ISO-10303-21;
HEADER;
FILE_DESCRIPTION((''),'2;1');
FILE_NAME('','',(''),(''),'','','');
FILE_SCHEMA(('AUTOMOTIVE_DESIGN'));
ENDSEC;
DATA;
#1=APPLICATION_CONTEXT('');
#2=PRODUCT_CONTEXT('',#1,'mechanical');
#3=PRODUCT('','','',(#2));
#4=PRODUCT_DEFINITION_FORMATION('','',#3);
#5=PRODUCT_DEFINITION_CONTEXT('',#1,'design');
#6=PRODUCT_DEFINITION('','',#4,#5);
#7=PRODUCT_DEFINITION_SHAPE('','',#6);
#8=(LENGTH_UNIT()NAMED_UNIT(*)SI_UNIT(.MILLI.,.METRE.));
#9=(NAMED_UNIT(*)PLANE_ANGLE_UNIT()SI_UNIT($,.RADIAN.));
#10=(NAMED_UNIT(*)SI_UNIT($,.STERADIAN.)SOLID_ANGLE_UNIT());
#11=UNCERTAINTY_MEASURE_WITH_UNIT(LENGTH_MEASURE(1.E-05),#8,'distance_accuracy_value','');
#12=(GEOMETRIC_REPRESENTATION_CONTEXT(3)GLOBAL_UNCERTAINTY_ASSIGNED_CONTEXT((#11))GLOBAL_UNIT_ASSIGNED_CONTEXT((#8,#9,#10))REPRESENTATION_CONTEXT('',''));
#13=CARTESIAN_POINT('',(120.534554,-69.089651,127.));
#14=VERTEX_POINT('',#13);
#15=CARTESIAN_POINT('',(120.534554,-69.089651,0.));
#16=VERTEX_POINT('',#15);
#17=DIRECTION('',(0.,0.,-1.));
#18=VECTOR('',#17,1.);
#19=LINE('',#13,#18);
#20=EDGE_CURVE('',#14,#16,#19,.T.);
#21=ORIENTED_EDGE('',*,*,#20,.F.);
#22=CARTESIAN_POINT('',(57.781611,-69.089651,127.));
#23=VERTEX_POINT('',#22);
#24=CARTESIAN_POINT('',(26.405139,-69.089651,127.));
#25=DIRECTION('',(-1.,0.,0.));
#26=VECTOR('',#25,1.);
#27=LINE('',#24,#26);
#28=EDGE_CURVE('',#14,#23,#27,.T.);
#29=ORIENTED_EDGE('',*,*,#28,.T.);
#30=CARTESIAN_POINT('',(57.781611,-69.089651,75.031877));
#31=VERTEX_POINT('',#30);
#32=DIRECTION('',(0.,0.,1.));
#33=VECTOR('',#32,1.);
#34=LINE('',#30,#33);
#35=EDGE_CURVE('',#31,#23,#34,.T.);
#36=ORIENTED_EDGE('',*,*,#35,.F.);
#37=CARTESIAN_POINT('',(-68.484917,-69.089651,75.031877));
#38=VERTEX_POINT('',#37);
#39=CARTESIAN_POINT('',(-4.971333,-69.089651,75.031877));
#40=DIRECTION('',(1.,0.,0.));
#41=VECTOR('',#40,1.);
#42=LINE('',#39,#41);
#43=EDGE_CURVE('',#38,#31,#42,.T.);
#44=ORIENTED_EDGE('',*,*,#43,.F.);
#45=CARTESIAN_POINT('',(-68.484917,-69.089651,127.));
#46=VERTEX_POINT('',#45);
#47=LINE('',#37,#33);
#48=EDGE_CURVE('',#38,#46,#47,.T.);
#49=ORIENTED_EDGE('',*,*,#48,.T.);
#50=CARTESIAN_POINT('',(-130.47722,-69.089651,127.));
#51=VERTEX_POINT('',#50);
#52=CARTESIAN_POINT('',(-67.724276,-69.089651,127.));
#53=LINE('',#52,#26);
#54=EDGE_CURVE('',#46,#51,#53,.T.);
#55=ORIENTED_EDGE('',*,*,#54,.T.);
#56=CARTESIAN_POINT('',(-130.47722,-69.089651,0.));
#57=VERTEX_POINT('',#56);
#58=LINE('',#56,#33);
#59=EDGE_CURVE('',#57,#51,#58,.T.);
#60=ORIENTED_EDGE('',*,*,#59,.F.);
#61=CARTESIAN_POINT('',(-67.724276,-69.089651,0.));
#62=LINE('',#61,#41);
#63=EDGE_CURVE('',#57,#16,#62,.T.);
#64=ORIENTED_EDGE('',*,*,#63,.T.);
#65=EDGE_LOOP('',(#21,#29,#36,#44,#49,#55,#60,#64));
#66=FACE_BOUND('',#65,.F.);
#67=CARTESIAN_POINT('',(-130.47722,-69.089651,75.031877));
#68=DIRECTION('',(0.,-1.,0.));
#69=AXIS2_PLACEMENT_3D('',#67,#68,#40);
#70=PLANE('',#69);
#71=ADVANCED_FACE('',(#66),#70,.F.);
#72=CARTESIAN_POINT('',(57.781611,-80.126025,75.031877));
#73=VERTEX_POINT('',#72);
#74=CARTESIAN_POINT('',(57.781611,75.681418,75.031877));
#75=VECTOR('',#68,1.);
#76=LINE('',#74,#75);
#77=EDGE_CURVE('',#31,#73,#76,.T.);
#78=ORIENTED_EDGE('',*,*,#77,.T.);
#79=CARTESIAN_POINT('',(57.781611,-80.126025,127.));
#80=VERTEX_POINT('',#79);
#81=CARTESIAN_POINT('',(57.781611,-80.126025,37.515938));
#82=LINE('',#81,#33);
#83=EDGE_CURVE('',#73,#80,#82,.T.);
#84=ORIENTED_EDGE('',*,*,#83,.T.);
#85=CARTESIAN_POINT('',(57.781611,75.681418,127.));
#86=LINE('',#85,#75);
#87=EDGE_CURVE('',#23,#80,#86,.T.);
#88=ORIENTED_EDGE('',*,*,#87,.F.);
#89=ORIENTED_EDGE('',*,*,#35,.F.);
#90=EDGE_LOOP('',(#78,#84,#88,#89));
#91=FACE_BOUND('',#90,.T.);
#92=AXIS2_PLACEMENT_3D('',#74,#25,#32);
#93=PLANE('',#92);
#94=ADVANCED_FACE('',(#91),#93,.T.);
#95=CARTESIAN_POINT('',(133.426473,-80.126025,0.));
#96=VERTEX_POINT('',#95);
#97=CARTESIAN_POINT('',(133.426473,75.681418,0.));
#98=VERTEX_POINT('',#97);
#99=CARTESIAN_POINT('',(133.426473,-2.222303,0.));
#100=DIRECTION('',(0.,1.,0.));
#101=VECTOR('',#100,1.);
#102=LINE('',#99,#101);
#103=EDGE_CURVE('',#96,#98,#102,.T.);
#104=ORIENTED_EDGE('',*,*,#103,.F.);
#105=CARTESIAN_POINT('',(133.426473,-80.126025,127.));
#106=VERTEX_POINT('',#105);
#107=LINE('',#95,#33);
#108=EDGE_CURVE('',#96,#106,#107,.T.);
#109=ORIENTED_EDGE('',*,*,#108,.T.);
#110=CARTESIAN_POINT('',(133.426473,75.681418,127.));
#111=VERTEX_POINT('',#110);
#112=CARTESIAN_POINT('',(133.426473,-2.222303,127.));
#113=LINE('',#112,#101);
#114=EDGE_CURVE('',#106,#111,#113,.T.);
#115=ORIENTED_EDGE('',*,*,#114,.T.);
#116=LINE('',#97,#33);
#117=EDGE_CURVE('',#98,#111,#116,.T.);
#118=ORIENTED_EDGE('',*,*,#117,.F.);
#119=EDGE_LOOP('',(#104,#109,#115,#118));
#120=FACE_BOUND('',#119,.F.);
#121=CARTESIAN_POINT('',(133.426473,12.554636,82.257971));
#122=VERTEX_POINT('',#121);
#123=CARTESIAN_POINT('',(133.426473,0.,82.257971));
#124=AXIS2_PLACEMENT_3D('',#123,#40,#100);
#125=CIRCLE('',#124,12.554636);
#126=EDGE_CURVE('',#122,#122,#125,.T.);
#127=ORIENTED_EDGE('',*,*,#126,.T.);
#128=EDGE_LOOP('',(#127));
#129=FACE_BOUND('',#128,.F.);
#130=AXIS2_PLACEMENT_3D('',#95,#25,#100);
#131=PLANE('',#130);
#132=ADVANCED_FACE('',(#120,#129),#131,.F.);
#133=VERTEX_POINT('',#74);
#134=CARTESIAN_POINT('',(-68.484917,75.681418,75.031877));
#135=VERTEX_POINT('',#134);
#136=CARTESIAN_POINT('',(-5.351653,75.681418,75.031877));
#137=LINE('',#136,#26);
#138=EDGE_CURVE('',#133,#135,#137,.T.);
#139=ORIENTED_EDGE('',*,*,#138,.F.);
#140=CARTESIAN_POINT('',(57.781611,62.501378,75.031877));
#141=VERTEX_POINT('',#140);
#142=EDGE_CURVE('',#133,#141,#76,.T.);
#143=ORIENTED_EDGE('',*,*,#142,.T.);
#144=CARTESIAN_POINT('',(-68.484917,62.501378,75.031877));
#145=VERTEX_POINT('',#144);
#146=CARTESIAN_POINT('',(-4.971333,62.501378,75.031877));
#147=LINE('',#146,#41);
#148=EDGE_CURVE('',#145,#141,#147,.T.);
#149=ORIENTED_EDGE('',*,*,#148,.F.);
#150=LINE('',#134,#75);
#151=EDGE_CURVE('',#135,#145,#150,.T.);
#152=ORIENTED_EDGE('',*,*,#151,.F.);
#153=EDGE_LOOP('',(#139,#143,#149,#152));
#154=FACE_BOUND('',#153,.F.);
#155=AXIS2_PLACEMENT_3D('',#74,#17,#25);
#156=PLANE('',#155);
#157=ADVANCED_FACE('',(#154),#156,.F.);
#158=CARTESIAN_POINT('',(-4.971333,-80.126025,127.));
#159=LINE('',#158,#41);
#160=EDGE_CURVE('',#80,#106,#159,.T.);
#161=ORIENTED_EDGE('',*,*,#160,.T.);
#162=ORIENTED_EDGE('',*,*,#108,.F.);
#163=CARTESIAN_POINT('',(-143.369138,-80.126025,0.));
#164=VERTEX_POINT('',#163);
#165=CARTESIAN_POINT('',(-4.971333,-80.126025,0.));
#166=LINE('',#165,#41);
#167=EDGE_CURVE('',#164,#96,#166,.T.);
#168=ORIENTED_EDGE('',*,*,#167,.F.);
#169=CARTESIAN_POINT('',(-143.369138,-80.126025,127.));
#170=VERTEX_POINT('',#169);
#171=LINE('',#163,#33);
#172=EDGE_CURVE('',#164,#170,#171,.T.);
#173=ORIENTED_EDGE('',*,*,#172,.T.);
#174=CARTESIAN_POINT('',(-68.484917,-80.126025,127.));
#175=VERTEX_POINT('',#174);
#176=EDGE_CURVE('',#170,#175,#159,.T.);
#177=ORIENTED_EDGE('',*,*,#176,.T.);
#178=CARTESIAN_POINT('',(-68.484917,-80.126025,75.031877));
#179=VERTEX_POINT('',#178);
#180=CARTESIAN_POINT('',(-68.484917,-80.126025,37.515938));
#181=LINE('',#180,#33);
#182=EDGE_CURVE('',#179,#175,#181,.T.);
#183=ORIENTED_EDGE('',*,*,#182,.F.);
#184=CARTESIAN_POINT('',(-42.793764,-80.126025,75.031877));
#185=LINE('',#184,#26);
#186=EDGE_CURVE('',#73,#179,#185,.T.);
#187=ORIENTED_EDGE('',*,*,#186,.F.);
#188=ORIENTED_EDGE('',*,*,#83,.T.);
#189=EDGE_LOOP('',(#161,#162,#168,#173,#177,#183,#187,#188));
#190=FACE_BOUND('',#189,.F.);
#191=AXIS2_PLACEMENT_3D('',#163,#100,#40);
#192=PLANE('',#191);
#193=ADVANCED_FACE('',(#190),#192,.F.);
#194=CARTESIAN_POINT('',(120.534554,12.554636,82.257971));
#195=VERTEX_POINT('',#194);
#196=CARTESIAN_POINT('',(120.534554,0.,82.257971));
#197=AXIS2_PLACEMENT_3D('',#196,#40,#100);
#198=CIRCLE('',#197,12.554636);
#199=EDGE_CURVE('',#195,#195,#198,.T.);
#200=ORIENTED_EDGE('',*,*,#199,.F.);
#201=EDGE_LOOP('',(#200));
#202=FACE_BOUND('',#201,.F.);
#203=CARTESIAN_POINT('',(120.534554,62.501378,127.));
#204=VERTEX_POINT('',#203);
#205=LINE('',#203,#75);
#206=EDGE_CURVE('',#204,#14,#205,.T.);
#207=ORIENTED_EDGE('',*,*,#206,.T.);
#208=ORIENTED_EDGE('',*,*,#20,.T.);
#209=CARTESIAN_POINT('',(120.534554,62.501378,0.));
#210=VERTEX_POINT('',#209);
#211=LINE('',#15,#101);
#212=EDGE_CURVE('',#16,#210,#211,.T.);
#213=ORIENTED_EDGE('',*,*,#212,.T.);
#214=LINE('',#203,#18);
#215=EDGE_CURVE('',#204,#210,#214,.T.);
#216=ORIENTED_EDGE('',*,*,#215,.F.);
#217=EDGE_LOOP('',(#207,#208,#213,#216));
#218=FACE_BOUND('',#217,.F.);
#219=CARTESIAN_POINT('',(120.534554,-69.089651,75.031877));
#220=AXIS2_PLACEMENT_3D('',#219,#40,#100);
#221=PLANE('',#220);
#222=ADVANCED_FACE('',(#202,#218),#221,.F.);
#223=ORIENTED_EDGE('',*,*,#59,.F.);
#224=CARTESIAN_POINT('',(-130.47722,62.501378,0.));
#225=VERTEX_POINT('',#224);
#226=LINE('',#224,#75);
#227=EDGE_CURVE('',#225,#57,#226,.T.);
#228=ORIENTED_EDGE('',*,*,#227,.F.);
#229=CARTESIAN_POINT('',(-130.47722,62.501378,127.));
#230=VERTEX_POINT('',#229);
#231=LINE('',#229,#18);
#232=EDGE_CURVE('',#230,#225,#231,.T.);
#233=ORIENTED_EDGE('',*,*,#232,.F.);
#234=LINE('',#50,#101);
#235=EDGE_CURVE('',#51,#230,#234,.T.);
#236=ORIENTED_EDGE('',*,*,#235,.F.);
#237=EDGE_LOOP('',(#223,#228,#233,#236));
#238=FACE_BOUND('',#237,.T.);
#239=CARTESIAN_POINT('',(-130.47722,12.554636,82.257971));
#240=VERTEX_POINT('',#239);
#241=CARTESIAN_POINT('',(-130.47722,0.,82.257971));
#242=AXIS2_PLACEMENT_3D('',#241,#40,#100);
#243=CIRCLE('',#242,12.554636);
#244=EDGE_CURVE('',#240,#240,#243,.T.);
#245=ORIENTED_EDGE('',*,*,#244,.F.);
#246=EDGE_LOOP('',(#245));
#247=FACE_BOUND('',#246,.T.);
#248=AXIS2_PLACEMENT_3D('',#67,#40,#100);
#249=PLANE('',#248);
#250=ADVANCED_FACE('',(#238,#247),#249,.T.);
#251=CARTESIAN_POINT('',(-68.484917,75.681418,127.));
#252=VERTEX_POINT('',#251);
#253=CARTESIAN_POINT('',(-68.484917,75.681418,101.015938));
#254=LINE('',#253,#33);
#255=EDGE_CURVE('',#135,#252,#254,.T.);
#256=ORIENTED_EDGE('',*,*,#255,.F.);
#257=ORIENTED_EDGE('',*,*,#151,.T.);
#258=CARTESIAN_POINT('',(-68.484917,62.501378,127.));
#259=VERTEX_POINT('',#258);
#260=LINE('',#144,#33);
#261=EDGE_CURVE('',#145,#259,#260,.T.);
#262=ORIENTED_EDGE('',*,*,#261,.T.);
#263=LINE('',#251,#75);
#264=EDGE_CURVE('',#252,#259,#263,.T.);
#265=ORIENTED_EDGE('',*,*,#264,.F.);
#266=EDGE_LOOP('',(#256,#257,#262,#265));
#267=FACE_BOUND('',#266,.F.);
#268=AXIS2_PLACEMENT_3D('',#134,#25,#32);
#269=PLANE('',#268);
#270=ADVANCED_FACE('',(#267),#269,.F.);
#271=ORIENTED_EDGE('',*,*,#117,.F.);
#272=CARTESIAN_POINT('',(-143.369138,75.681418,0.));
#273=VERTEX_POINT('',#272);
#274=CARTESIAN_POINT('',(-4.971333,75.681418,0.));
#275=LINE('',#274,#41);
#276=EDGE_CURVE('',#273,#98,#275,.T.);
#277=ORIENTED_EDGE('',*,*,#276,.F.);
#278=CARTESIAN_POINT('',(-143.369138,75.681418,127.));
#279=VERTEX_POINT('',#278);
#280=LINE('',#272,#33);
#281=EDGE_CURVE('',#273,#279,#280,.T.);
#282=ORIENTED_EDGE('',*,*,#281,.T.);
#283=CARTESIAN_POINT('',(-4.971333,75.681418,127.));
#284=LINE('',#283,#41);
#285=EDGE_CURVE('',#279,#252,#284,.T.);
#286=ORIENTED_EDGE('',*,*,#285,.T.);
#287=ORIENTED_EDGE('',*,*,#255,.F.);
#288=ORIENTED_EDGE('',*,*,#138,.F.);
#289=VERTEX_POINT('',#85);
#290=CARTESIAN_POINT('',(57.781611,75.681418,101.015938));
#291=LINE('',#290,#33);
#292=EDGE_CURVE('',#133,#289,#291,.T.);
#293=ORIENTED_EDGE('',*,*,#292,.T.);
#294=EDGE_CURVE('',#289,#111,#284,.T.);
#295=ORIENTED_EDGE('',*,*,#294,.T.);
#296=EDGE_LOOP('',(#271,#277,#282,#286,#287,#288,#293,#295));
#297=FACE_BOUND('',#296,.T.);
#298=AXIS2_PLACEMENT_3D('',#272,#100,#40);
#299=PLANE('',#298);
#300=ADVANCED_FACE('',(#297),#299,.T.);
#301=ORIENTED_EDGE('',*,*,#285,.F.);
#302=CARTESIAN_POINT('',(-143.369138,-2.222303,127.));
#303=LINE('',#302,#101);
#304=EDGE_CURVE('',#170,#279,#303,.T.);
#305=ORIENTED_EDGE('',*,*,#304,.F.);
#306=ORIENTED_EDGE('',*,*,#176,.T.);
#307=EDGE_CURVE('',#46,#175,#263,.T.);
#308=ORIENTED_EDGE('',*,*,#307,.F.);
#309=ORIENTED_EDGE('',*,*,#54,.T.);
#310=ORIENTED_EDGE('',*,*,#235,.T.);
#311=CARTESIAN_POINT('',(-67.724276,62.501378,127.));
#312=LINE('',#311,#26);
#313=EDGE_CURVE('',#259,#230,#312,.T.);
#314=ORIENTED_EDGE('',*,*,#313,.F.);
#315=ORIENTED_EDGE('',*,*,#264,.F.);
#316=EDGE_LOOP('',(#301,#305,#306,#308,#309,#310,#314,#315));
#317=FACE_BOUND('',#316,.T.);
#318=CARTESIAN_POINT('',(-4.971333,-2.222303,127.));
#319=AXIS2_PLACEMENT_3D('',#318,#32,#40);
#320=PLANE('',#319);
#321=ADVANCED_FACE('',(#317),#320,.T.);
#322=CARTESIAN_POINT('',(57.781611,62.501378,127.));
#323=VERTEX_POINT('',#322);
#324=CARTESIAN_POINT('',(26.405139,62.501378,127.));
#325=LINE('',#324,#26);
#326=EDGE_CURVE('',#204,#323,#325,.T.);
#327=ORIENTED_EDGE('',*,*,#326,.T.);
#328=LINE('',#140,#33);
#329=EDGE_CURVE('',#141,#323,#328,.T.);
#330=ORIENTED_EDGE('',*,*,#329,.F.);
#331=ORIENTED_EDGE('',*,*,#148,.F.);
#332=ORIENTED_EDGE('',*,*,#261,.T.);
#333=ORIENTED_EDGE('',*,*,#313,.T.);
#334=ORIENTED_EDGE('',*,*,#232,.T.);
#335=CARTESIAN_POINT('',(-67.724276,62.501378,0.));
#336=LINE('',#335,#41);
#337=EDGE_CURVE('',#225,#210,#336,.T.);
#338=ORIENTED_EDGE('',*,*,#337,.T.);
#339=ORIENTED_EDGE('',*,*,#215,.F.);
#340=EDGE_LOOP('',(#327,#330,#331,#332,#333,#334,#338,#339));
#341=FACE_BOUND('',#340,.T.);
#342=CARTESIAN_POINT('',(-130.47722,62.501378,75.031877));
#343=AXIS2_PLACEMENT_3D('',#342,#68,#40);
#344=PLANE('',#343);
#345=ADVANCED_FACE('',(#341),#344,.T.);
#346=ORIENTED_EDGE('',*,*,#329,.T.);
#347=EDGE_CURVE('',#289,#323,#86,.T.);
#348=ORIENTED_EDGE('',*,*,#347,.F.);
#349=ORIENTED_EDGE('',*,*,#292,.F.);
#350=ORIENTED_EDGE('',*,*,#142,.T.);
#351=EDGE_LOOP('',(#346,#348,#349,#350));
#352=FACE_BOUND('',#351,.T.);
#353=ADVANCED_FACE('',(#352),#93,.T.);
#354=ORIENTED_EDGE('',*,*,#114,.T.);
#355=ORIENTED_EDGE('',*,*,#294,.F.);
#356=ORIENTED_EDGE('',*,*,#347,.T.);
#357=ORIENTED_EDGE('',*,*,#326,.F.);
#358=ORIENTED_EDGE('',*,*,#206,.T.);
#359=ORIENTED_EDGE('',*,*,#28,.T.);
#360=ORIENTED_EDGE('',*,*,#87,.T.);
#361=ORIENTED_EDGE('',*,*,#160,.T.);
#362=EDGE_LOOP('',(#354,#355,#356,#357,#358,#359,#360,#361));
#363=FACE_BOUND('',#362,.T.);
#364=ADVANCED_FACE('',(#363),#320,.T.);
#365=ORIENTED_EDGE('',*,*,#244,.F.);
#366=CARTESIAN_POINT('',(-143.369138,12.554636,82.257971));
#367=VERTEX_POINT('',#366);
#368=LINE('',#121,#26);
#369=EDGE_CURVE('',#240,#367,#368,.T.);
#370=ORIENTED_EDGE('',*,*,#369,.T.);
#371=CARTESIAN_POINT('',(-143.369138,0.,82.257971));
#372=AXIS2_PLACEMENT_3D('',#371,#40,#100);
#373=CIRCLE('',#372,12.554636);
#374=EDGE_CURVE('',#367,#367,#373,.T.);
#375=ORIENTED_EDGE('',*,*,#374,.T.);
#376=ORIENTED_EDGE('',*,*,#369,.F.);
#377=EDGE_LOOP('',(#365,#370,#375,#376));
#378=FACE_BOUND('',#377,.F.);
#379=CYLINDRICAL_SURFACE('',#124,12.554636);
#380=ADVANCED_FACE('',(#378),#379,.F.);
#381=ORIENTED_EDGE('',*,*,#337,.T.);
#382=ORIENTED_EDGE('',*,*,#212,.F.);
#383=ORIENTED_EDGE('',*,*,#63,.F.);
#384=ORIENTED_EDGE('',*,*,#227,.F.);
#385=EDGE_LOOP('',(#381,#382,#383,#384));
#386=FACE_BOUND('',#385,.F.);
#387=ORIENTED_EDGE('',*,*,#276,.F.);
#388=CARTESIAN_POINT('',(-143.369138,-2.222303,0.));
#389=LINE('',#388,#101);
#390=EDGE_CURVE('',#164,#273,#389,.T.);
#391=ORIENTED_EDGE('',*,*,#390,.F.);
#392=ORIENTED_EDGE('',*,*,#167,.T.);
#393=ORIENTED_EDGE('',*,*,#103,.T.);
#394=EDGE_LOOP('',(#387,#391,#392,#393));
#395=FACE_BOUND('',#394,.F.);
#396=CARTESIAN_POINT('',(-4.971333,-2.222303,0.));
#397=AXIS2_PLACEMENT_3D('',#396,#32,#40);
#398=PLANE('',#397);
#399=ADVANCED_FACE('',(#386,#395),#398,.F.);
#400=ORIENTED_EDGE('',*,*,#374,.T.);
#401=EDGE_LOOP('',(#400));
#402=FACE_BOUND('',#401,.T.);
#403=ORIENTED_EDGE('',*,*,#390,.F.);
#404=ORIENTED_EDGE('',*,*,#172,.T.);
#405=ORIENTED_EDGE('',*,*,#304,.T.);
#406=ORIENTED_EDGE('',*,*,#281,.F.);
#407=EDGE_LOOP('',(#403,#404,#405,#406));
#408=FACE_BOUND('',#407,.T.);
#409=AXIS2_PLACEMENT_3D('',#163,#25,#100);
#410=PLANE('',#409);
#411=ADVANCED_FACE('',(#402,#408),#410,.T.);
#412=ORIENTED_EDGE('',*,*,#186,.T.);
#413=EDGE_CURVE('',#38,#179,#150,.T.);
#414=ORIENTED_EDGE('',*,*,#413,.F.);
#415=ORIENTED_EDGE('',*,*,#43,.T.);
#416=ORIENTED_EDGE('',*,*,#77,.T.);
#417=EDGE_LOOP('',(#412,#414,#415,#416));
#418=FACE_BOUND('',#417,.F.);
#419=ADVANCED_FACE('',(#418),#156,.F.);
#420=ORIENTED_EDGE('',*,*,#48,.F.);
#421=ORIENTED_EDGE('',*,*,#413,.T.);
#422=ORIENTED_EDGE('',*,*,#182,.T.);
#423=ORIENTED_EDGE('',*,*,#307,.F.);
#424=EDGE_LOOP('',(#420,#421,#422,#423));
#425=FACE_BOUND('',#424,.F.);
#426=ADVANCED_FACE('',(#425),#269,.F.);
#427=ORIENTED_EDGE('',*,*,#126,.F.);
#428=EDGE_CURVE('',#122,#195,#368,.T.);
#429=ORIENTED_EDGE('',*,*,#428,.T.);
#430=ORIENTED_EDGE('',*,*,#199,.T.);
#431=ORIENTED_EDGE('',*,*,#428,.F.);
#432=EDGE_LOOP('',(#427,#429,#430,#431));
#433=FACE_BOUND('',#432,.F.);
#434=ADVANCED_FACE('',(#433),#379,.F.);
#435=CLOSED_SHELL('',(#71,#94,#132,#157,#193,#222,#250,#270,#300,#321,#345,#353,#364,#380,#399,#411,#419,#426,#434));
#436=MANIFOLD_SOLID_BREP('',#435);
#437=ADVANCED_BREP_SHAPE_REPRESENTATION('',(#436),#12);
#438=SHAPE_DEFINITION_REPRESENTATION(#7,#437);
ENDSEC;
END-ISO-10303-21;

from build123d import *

# Parameters (mm, degrees)
F0_W      = 276.7956107855
F0_H      = 155.8074429631
F1_DEPTH  = 127
F2_R      = 12.5546361004
F3_DEPTH  = 276.7966107855
F4_W      = 126.266527921
F4_H      = 51.968123436
F5_DEPTH  = 155.8084429631
F6_W      = 251.0117739439
F6_H      = 131.5910294652
F7_DEPTH  = 75.032876564
F8_W      = 61.992302537
F8_H      = 58.8230818466
F9_DEPTH  = 51.969123436
F10_W     = 61.992302537
F10_H     = 52.2348090963
F11_DEPTH = 51.969123436
F12_W     = 62.752943486
F12_H     = 58.8230818466
F13_DEPTH = 51.969123436
F14_W     = 62.752943486
F14_H     = 52.2348090963
F15_DEPTH = 51.969123436
F16_W     = 61.992302537
F16_H     = 20.5331385223
F17_DEPTH = 127.001
F18_W     = 62.752943486
F18_H     = 20.5331385223
F19_DEPTH = 127.001


with BuildPart() as f1:
    # F0 (on Top) → F1 (new body)
    with BuildSketch(Plane.XY):
        with Locations((-4.9713328481, -2.2223033011)):
            Rectangle(F0_W, F0_H)
    extrude(amount=F1_DEPTH)

    # F2 (on face) → F3 (cut, through all)
    with BuildSketch(Plane.YZ.offset(133.4264725447)):
        with Locations((0, 82.2579711676)):
            Circle(F2_R)
    extrude(amount=-F3_DEPTH, mode=Mode.SUBTRACT)

    # F4 (on face) → F5 (cut, through all)
    with BuildSketch(Plane(origin=(0, 75.6814181805, 0), x_dir=(-1, 0, 0), z_dir=(0, 1, 0))):
        with Locations((5.3516533226, 101.015938282)):
            Rectangle(F4_W, F4_H)
    extrude(amount=-F5_DEPTH, mode=Mode.SUBTRACT)

    # F6 (on face) → F7 (cut, through all)
    with BuildSketch(Plane.XY.offset(75.031876564)):
        with Locations((-4.9713328481, -3.2941363752)):
            Rectangle(F6_W, F6_H)
    extrude(amount=-F7_DEPTH, mode=Mode.SUBTRACT)

    # F8 (on face) → F9 (cut, through all)
    with BuildSketch(Plane(origin=(0, 0, 75.031876564), x_dir=(1, 0, 0), z_dir=(0, 0, -1))):
        with Locations((-99.4810685515, 39.6781101845)):
            Rectangle(F8_W, F8_H)
    extrude(amount=-F9_DEPTH, mode=Mode.SUBTRACT)

    # F10 (on face) → F11 (cut, through all)
    with BuildSketch(Plane(origin=(0, 0, 75.031876564), x_dir=(1, 0, 0), z_dir=(0, 0, -1))):
        with Locations((-99.4810685515, -36.3839738093)):
            Rectangle(F10_W, F10_H)
    extrude(amount=-F11_DEPTH, mode=Mode.SUBTRACT)

    # F12 (on face) → F13 (cut, through all)
    with BuildSketch(Plane(origin=(0, 0, 75.031876564), x_dir=(1, 0, 0), z_dir=(0, 0, -1))):
        with Locations((89.1580823809, 39.6781101845)):
            Rectangle(F12_W, F12_H)
    extrude(amount=-F13_DEPTH, mode=Mode.SUBTRACT)

    # F14 (on face) → F15 (cut, through all)
    with BuildSketch(Plane(origin=(0, 0, 75.031876564), x_dir=(1, 0, 0), z_dir=(0, 0, -1))):
        with Locations((89.1580823809, -36.3839738093)):
            Rectangle(F14_W, F14_H)
    extrude(amount=-F15_DEPTH, mode=Mode.SUBTRACT)

    # F16 (on face) → F17 (cut, through all)
    with BuildSketch(Plane.XY.offset(127)):
        with Locations((-99.4810685515, 0)):
            Rectangle(F16_W, F16_H)
    extrude(amount=-F17_DEPTH, mode=Mode.SUBTRACT)

    # F18 (on face) → F19 (cut, through all)
    with BuildSketch(Plane.XY.offset(127)):
        with Locations((89.1580823809, 0)):
            Rectangle(F18_W, F18_H)
    extrude(amount=-F19_DEPTH, mode=Mode.SUBTRACT)


solid = f1.part
